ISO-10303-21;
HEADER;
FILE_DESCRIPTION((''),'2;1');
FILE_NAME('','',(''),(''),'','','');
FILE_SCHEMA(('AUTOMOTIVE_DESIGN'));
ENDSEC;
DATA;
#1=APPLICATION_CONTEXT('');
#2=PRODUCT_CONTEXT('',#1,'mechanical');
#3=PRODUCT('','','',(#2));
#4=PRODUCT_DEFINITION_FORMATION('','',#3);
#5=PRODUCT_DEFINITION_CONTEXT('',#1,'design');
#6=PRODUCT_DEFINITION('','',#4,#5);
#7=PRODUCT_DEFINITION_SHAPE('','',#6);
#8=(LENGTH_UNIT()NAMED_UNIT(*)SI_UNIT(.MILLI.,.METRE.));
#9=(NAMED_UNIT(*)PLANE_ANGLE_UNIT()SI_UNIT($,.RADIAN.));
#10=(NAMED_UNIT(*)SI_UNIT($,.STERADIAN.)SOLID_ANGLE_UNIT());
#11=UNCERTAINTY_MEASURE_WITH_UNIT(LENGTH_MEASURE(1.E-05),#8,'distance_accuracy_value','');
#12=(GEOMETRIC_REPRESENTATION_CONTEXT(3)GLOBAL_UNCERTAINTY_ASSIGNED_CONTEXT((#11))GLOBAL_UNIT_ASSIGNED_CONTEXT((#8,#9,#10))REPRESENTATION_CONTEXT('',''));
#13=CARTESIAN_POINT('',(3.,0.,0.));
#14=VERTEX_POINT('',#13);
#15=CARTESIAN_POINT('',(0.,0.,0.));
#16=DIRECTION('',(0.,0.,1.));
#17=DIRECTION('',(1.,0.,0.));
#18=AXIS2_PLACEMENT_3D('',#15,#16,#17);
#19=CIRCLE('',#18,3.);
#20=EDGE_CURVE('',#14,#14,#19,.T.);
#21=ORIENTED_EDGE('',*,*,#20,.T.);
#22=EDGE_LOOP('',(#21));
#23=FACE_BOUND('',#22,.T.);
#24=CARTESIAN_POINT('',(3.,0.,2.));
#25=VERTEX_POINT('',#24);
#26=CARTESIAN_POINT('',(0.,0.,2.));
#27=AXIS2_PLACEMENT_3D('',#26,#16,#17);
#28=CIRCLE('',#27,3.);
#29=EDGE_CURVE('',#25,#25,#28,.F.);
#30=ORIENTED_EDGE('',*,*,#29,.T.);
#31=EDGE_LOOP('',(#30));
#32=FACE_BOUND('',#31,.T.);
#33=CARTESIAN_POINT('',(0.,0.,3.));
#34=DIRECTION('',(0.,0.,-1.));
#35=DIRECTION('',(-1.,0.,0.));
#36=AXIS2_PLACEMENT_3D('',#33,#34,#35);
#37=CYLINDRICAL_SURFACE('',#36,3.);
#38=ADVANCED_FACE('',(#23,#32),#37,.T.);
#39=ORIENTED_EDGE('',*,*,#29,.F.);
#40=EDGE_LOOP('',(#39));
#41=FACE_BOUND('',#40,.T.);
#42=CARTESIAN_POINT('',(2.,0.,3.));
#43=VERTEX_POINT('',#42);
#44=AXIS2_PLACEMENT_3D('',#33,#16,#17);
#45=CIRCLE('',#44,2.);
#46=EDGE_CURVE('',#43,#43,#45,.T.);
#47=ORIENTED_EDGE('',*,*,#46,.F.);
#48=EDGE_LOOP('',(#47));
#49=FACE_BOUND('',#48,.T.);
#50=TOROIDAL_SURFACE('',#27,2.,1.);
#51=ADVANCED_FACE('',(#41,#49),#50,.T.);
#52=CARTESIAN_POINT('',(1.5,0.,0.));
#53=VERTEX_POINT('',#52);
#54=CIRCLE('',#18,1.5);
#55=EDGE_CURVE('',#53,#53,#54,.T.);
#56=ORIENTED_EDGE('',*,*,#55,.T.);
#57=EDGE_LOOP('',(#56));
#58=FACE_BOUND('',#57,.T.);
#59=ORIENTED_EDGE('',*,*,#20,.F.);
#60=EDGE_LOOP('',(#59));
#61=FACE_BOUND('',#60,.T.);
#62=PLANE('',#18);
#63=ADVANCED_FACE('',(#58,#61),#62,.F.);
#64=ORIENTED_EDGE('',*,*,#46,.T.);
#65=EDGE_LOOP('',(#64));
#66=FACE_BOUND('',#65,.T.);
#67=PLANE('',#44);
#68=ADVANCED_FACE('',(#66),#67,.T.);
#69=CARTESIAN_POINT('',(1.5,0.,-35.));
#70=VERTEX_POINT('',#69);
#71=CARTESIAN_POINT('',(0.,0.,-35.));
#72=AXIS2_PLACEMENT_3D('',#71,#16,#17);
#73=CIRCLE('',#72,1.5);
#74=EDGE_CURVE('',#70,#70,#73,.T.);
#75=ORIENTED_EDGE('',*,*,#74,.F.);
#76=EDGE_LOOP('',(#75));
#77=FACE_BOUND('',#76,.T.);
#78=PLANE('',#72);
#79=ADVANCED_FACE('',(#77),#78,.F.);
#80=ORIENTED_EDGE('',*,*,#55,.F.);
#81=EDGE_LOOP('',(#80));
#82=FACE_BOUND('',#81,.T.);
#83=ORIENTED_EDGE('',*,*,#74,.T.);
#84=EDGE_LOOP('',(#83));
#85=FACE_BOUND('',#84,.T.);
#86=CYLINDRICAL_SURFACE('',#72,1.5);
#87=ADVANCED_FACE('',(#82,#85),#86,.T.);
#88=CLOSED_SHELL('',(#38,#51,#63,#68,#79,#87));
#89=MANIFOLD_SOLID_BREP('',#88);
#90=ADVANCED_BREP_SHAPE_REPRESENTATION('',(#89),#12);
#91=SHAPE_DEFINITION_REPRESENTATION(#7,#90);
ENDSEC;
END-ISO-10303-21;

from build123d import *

# Parameters (mm, degrees)
SKETCH1_R           = 1.5
BOSS_EXTRUDE1_DEPTH = 35
SKETCH2_R           = 3
BOSS_EXTRUDE2_DEPTH = 3
FILLET1_R           = 1


with BuildPart() as part:
    # Sketch1 → Boss-Extrude1 (new body)
    with BuildSketch(Plane.XY):
        Circle(SKETCH1_R)
    extrude(amount=-BOSS_EXTRUDE1_DEPTH)

    # Sketch2 → Boss-Extrude2 (add)
    with BuildSketch(Plane.XY):
        Circle(SKETCH2_R)
    extrude(amount=BOSS_EXTRUDE2_DEPTH)

    # Fillet1
    fillet1_edges = [part.edges().sort_by_distance(p)[0] for p in [
        (-3, 0, 3),
    ]]
    fillet(fillet1_edges, radius=FILLET1_R)


solid = part.part
